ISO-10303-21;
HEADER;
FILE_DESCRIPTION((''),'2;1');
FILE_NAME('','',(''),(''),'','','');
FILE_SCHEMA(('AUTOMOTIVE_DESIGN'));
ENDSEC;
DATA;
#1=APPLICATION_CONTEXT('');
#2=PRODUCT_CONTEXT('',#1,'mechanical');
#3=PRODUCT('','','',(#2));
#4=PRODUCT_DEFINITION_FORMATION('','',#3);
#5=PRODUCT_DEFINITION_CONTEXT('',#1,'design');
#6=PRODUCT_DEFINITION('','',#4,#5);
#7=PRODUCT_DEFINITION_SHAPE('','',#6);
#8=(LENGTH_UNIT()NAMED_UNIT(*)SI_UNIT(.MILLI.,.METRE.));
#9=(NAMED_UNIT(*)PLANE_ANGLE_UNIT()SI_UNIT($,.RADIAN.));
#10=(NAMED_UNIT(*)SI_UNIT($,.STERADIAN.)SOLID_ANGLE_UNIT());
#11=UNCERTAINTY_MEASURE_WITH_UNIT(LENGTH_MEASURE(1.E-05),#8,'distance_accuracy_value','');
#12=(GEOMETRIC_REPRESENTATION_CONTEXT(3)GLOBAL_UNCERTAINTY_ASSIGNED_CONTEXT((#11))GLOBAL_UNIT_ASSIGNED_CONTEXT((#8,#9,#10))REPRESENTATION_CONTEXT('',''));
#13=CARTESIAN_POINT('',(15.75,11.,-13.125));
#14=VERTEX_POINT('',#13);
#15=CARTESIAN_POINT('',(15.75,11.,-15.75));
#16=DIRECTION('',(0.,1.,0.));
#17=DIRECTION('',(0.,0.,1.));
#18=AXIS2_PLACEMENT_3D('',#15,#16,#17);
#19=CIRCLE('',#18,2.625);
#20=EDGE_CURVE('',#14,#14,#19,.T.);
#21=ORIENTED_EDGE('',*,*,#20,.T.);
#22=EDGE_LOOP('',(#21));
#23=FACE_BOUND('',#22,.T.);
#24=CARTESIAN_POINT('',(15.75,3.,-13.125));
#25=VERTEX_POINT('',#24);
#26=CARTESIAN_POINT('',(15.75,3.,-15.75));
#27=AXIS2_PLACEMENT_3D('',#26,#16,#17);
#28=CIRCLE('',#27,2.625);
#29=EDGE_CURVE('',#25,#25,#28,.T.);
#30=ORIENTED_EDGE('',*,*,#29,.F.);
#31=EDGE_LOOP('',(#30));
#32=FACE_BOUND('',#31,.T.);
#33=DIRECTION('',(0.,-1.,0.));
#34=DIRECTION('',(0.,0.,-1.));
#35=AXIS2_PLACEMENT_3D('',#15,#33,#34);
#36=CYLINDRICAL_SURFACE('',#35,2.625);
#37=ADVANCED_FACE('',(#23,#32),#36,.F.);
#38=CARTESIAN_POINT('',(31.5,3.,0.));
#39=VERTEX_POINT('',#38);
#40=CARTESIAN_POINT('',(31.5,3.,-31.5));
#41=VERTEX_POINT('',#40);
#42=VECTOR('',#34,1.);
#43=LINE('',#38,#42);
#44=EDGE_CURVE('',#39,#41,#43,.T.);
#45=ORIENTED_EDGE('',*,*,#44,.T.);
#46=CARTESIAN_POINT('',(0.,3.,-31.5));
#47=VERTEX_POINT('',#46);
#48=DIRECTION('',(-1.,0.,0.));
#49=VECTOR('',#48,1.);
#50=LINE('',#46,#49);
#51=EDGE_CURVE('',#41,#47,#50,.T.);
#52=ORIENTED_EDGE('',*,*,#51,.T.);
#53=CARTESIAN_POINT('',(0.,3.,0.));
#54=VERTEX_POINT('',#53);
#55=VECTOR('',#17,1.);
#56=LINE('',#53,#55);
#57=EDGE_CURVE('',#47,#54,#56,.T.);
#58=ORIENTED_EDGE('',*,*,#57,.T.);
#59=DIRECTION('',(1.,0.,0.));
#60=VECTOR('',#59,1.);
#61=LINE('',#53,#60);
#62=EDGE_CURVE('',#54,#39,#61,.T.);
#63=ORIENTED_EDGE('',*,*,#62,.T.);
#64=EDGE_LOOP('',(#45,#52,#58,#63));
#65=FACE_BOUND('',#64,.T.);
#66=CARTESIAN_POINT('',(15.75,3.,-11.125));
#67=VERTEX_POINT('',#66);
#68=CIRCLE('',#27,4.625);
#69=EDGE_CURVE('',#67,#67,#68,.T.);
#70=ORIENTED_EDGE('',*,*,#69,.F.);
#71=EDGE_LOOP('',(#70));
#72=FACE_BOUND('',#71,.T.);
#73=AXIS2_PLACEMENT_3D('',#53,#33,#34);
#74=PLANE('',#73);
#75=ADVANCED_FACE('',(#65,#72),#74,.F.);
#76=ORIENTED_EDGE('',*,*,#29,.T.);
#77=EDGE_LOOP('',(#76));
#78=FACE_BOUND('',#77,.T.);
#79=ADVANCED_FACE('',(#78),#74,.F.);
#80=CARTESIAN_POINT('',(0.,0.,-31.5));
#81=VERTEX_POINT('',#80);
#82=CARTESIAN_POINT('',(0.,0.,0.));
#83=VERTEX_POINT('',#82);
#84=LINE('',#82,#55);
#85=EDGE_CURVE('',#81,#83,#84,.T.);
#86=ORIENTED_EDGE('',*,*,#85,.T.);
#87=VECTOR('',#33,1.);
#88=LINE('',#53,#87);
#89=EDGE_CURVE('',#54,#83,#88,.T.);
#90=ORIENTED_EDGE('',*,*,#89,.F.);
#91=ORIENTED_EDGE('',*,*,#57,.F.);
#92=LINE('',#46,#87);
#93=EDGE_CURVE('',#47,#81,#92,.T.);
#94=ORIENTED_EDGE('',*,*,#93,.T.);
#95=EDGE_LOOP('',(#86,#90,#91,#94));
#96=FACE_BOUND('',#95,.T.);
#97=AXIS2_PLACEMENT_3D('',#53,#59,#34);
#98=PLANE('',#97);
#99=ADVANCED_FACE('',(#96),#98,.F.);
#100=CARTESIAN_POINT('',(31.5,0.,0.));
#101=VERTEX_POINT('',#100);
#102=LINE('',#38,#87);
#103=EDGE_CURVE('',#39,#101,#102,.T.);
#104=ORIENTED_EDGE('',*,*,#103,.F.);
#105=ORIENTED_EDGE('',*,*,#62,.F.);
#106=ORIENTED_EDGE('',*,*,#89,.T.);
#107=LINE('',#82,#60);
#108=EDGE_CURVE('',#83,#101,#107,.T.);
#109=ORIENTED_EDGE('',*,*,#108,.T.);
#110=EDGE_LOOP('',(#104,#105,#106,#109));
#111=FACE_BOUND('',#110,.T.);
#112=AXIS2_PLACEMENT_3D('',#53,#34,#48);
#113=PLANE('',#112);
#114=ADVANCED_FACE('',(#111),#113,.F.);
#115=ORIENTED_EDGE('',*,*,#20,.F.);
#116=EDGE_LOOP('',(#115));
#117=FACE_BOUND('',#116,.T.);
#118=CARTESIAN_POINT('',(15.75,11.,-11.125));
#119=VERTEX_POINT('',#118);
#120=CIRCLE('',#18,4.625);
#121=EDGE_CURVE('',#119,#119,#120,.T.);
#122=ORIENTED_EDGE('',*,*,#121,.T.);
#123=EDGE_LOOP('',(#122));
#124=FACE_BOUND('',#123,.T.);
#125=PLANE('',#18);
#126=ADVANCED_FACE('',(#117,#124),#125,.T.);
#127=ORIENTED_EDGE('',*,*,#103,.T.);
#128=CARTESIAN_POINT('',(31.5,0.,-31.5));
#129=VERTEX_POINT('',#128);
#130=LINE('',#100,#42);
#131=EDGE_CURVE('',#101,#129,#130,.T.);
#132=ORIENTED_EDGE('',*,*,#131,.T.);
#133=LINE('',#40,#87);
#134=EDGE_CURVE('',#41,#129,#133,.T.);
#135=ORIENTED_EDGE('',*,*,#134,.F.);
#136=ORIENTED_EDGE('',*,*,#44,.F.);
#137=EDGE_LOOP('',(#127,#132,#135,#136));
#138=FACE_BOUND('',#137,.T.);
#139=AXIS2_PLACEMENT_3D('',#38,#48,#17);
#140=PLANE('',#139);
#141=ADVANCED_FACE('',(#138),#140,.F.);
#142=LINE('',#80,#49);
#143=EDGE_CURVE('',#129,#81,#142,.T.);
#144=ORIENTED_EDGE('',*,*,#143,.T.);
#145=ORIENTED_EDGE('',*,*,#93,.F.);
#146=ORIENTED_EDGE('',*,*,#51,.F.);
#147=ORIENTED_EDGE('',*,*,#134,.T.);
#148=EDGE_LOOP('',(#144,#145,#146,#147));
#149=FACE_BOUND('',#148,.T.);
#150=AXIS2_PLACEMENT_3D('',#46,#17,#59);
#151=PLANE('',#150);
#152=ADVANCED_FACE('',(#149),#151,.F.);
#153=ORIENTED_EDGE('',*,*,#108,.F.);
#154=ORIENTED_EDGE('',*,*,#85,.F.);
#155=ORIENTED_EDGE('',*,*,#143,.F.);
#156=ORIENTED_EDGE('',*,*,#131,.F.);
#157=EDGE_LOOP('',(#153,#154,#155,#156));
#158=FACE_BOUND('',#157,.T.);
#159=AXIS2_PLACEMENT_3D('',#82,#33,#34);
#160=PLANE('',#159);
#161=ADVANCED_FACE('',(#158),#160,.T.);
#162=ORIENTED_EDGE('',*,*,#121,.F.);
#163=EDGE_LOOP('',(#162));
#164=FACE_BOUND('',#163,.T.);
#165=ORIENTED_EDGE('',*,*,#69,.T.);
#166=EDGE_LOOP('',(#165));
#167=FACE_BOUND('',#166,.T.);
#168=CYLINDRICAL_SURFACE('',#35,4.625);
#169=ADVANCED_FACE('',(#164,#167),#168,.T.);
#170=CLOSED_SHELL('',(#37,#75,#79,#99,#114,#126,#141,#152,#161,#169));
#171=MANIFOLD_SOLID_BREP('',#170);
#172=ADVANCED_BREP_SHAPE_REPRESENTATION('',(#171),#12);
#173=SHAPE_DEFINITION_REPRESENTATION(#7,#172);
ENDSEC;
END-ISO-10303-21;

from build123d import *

# Parameters (mm, degrees)
SKETCH1_W           = 31.5
SKETCH1_H           = 31.5
BOSS_EXTRUDE1_DEPTH = 3
SKETCH2_R           = 4.625
SKETCH2_R_2         = 2.625
BOSS_EXTRUDE2_DEPTH = 8


with BuildPart() as part:
    # Sketch1 → Boss-Extrude1 (new body)
    with BuildSketch(Plane(origin=(0, 0, 0), x_dir=(1, 0, 0), z_dir=(0, 1, 0))):
        with Locations((15.75, 15.75)):
            Rectangle(SKETCH1_W, SKETCH1_H)
    extrude(amount=BOSS_EXTRUDE1_DEPTH)

    # Sketch2 → Boss-Extrude2 (add)
    with BuildSketch(Plane(origin=(0, 3, 0), x_dir=(1, 0, 0), z_dir=(0, 1, 0))):
        with Locations(Location((15.75, 15.75, 0), (0, 0, 270))):
            Circle(SKETCH2_R)
        with Locations(Location((15.75, 15.75, 0), (0, 0, 270))):
            Circle(SKETCH2_R_2, mode=Mode.SUBTRACT)
    extrude(amount=BOSS_EXTRUDE2_DEPTH)


solid = part.part
